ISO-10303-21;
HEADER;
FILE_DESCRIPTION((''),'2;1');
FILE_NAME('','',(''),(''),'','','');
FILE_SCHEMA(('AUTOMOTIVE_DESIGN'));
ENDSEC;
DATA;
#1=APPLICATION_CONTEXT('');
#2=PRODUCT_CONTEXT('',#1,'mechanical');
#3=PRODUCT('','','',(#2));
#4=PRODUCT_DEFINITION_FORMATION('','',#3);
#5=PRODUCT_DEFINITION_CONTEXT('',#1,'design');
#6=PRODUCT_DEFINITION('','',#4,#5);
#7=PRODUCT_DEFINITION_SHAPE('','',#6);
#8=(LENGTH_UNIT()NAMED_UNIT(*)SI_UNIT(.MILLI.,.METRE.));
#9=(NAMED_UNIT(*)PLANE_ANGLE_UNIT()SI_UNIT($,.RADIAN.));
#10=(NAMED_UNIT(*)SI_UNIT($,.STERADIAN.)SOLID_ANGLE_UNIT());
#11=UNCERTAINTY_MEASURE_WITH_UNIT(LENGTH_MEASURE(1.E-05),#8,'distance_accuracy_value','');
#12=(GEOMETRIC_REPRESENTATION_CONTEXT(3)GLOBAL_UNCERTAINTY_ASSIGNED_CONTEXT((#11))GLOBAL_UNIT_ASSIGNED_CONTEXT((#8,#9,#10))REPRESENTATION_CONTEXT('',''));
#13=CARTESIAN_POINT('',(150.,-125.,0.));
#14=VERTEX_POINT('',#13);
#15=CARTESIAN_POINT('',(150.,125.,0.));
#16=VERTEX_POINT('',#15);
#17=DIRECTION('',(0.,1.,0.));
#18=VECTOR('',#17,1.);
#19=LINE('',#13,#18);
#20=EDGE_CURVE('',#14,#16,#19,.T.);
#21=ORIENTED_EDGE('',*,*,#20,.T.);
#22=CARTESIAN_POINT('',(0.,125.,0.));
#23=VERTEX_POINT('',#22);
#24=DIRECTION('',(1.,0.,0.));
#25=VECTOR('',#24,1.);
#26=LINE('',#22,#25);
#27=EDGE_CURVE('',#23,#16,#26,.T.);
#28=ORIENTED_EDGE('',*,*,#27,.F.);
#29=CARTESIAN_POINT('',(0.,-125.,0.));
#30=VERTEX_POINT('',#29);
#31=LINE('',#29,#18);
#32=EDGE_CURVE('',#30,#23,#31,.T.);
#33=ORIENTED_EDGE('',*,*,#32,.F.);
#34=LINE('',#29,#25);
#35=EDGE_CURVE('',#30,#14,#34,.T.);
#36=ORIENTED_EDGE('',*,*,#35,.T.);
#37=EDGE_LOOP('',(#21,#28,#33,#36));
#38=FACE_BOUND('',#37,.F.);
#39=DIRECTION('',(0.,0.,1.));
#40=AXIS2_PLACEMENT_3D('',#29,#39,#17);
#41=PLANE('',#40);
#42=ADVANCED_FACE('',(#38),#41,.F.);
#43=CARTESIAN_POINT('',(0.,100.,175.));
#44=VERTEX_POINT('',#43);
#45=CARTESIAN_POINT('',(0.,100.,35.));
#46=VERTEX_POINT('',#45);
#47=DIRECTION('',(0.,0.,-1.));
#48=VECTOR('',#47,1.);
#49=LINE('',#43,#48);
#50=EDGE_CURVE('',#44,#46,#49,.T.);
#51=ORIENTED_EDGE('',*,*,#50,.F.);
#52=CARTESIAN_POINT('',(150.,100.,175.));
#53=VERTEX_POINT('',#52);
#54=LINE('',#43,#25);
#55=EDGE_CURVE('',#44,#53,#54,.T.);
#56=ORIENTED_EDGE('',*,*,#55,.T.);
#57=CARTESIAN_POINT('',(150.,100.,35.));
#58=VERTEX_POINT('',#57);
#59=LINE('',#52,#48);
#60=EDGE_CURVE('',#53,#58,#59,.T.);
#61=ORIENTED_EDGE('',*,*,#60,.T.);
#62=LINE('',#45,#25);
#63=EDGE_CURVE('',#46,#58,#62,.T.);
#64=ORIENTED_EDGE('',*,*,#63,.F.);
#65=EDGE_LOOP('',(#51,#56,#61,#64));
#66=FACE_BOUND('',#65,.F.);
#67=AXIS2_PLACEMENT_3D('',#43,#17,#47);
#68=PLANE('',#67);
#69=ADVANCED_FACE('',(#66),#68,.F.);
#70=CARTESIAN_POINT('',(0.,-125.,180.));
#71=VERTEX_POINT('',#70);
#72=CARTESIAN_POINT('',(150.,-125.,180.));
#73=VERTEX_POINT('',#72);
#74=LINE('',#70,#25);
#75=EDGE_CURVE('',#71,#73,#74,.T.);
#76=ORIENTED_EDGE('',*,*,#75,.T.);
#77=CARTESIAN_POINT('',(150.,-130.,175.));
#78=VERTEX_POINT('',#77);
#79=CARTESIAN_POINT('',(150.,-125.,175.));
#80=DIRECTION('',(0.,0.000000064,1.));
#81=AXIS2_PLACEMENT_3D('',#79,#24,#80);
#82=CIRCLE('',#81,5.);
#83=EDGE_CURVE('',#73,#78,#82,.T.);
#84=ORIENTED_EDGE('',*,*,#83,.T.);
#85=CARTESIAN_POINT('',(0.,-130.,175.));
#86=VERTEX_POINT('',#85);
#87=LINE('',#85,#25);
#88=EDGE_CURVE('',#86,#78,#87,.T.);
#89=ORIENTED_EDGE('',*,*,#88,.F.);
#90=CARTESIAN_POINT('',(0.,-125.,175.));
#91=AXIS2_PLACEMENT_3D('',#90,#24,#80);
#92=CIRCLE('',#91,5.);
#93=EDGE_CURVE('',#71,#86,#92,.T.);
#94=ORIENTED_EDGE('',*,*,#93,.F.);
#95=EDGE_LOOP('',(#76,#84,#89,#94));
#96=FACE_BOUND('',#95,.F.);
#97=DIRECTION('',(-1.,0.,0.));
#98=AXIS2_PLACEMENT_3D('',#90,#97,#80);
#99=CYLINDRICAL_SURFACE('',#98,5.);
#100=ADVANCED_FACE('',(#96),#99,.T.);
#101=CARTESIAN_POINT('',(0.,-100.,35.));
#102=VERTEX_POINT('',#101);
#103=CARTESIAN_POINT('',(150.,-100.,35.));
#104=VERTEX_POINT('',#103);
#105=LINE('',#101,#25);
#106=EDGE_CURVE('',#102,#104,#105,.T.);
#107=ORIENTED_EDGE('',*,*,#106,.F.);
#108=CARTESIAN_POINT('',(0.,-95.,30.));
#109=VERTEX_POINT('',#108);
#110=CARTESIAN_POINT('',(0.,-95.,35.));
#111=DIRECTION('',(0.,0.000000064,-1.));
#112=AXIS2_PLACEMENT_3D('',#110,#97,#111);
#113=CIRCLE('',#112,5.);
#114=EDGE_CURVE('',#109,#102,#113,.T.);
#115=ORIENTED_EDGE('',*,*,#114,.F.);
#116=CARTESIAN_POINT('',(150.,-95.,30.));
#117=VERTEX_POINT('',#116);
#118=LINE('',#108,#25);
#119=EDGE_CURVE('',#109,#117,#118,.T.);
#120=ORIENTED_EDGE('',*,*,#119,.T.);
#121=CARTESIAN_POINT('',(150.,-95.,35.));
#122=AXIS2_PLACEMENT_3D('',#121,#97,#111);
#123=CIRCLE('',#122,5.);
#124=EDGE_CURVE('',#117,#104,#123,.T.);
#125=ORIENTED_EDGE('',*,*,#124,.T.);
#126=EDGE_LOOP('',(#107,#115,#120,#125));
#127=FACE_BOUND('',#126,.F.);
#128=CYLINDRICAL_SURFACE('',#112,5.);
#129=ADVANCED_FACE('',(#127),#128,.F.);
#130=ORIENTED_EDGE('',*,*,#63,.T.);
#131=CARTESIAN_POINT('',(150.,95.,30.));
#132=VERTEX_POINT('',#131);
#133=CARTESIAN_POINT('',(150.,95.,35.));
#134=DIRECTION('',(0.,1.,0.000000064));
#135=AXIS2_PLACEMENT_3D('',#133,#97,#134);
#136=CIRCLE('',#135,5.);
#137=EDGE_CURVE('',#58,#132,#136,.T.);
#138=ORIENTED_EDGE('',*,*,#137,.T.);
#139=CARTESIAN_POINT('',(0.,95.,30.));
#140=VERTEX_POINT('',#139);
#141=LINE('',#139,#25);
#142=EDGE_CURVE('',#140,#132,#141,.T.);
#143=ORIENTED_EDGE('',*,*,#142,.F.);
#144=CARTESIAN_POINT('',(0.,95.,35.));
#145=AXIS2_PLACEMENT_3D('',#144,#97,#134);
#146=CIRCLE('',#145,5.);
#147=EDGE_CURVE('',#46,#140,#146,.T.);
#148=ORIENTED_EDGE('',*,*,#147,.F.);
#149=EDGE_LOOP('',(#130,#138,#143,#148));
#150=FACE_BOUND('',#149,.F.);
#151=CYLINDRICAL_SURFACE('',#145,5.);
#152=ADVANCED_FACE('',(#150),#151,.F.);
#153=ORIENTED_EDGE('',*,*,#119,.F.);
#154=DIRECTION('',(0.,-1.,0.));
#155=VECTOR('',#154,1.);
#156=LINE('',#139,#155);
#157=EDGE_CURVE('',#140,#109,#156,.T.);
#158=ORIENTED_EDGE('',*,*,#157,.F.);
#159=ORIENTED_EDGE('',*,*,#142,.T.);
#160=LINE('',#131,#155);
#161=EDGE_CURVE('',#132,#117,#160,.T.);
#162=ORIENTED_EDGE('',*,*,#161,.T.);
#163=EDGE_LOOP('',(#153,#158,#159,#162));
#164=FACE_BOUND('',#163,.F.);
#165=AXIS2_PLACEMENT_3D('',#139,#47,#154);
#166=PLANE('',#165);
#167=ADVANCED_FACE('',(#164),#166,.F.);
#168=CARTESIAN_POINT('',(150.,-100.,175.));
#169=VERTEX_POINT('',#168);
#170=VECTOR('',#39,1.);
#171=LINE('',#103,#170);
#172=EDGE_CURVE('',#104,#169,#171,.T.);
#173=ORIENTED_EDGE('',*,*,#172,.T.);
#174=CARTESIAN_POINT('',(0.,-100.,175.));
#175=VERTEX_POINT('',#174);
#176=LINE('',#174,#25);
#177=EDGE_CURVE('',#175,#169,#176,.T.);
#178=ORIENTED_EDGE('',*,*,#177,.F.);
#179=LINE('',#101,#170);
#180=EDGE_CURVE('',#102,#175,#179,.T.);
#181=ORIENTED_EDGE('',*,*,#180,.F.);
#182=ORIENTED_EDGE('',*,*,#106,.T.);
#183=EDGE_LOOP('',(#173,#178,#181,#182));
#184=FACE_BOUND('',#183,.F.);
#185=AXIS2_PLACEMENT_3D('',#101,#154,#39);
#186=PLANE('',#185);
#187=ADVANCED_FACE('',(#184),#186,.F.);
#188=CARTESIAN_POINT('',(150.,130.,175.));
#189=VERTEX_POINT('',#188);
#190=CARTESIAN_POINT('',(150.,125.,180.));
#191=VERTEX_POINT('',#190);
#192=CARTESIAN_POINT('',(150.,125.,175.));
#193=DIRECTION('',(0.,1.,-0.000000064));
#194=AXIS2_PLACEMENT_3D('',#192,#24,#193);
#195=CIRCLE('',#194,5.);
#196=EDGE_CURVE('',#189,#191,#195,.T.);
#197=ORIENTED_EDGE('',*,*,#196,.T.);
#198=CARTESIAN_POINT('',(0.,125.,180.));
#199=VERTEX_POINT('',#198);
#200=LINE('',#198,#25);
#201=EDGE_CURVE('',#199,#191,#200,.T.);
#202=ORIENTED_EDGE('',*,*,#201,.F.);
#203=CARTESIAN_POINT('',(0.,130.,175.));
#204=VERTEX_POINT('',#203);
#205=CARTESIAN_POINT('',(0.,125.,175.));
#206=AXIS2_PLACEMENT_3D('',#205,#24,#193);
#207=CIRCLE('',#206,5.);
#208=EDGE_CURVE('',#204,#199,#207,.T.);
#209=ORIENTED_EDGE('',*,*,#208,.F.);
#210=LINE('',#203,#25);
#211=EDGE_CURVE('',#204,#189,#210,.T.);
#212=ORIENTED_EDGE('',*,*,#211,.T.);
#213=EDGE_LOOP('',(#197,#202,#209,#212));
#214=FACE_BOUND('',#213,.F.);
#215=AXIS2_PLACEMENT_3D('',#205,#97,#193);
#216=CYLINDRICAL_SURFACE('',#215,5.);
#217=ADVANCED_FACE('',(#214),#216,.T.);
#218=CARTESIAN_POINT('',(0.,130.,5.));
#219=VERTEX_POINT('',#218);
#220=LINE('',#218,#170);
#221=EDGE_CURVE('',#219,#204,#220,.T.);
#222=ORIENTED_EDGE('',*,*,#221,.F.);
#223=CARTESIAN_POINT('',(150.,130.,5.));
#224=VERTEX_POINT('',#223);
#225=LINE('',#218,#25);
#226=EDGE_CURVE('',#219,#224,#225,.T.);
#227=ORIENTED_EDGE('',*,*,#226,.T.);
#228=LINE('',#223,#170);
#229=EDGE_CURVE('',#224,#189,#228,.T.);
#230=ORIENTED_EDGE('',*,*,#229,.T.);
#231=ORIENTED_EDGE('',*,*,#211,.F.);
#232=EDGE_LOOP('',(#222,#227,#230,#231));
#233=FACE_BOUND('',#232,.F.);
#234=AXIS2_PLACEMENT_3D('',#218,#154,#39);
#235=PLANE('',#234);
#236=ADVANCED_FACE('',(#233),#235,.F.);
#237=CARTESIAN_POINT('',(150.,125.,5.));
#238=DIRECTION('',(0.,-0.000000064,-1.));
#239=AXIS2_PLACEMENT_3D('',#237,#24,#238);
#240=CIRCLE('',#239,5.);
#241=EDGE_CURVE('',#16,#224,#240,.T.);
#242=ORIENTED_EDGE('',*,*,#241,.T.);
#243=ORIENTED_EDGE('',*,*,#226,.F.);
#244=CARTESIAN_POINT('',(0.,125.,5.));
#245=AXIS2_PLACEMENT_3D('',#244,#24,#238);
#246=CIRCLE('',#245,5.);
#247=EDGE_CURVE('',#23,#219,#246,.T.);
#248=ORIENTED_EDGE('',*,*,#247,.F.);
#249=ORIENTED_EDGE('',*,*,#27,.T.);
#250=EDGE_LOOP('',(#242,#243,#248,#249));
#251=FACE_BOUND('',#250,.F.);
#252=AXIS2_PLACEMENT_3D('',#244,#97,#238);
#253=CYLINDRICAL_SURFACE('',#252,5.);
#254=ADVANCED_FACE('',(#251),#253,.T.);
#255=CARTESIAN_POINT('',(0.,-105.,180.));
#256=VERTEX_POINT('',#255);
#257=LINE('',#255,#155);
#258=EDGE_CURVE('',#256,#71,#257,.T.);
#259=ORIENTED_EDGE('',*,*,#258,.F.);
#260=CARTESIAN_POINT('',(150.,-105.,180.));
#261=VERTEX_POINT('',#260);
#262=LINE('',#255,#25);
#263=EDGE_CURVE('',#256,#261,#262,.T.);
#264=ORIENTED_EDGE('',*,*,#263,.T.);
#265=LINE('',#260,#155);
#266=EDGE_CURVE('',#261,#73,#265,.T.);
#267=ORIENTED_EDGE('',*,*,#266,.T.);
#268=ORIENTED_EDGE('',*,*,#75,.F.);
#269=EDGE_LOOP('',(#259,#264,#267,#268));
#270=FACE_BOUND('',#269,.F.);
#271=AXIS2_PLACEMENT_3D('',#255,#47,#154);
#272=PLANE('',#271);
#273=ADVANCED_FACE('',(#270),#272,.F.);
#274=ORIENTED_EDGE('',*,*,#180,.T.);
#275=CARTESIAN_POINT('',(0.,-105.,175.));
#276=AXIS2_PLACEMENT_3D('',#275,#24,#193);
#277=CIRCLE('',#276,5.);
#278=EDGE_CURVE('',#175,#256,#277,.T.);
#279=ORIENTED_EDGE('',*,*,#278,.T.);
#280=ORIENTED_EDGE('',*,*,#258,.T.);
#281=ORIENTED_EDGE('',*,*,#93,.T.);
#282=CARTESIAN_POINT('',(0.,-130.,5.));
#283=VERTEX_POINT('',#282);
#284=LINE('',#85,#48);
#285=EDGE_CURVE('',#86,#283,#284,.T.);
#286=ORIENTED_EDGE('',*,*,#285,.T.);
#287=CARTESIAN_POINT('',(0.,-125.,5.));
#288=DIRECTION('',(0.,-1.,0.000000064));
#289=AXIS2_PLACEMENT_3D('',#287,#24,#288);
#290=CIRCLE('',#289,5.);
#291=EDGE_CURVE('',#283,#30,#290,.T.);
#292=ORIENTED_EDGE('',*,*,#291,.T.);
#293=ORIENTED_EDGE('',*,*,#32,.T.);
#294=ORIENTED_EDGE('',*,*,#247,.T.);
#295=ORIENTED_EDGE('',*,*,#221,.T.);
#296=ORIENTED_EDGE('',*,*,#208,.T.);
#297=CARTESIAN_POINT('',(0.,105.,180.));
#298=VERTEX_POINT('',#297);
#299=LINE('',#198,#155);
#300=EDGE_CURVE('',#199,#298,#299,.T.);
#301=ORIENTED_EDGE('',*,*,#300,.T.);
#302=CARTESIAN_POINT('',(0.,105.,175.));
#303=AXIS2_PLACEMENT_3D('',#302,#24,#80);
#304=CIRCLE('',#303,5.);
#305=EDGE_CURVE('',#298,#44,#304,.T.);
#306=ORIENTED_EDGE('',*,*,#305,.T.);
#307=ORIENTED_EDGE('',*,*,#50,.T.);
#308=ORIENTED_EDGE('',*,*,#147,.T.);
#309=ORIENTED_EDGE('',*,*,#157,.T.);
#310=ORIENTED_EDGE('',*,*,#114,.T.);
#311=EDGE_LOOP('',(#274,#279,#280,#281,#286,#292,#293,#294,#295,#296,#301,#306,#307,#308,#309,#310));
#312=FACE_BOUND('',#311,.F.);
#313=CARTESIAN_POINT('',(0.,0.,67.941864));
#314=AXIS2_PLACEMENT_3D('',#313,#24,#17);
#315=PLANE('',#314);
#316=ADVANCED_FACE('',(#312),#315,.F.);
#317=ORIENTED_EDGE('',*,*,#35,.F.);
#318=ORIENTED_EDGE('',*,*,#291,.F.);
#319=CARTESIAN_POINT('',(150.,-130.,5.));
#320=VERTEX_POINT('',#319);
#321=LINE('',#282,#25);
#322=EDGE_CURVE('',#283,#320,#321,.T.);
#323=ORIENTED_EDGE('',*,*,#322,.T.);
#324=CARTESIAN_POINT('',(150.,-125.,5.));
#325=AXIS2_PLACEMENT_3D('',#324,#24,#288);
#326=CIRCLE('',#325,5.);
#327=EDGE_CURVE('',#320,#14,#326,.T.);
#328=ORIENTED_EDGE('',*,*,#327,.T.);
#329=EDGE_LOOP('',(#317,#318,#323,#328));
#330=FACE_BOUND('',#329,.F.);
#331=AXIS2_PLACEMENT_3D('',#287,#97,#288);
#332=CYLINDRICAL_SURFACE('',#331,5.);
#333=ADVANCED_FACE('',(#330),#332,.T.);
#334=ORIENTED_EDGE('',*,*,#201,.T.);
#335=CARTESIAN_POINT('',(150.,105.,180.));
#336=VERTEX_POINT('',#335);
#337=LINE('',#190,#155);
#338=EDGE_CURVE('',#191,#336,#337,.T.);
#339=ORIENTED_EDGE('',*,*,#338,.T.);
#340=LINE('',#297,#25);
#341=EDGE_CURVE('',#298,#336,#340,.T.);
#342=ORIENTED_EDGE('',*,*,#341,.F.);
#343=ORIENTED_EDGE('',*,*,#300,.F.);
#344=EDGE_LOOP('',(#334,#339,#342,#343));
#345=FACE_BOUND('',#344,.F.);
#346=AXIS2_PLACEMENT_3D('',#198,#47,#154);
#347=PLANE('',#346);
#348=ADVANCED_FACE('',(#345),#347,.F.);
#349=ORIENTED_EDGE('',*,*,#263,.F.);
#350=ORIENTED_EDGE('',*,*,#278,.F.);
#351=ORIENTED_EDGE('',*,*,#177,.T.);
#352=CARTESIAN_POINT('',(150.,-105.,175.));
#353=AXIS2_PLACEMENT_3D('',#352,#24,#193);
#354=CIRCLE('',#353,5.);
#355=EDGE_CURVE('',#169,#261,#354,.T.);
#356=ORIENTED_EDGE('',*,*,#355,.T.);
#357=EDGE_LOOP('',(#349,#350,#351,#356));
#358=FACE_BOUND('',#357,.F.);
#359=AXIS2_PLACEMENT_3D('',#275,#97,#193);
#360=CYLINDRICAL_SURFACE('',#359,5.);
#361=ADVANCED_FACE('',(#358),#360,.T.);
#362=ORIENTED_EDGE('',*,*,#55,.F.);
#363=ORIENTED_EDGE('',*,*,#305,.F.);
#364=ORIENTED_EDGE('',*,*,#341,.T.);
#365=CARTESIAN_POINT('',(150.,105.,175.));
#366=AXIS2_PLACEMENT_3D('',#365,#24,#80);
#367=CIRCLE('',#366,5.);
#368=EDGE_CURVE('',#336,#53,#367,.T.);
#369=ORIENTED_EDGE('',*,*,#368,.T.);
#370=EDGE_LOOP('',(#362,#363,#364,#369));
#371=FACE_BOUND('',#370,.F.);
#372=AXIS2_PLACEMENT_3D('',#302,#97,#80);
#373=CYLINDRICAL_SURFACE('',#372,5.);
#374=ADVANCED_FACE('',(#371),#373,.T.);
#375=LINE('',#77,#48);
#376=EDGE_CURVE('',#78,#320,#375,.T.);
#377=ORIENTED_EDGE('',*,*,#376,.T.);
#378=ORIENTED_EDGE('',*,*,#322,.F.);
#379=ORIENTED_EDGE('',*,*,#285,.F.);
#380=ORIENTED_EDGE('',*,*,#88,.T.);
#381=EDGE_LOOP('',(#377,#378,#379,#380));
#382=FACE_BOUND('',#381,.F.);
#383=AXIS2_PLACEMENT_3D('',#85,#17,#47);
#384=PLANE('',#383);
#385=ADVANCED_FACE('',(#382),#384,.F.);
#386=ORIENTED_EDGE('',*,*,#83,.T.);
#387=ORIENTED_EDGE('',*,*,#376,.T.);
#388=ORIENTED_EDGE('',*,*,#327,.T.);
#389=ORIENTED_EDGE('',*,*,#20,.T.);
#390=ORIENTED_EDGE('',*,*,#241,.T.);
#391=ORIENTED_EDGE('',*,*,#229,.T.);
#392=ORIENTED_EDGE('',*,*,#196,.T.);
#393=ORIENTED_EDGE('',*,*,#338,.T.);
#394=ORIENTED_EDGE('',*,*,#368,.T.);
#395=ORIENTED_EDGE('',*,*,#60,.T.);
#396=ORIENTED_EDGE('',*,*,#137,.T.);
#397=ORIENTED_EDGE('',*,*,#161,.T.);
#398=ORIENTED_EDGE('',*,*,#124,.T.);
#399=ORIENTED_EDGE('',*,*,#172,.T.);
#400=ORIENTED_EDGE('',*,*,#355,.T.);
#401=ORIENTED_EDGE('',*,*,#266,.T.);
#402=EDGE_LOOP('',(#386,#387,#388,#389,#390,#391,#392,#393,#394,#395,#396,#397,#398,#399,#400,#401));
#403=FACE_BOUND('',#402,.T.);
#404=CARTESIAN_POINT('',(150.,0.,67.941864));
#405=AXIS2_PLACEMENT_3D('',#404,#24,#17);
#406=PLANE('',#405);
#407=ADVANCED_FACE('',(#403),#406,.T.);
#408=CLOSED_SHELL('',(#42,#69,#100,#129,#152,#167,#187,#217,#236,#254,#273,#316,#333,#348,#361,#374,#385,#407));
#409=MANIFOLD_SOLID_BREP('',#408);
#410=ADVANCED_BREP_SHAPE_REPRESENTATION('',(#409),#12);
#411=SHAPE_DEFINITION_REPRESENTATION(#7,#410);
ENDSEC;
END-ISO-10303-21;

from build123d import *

# Parameters (mm, degrees)
F1_DEPTH = 150


with BuildPart() as f1:
    # F0 (on Right) → F1 (new body)
    with BuildSketch(Plane.YZ):
        with BuildLine():
            Line((-125, 0), (0, 0))
            Line((0, 0), (125, 0))
            ThreePointArc((125, 0), (128.535534, 1.464466), (130, 5))
            Line((130, 5), (130, 175))
            ThreePointArc((130, 175), (128.535534, 178.535534), (125, 180))
            Line((125, 180), (105, 180))
            ThreePointArc((105, 180), (101.464466, 178.535534), (100, 175))
            Line((100, 175), (100, 35))
            ThreePointArc((100, 35), (98.535534, 31.464466), (95, 30))
            Line((95, 30), (0, 30))
            Line((0, 30), (-95, 30))
            ThreePointArc((-95, 30), (-98.535534, 31.464466), (-100, 35))
            Line((-100, 35), (-100, 175))
            ThreePointArc((-100, 175), (-101.464466, 178.535534), (-105, 180))
            Line((-105, 180), (-125, 180))
            ThreePointArc((-125, 180), (-128.535534, 178.535534), (-130, 175))
            Line((-130, 175), (-130, 5))
            ThreePointArc((-130, 5), (-128.535534, 1.464466), (-125, 0))
        make_face()
    extrude(amount=F1_DEPTH)


solid = f1.part
